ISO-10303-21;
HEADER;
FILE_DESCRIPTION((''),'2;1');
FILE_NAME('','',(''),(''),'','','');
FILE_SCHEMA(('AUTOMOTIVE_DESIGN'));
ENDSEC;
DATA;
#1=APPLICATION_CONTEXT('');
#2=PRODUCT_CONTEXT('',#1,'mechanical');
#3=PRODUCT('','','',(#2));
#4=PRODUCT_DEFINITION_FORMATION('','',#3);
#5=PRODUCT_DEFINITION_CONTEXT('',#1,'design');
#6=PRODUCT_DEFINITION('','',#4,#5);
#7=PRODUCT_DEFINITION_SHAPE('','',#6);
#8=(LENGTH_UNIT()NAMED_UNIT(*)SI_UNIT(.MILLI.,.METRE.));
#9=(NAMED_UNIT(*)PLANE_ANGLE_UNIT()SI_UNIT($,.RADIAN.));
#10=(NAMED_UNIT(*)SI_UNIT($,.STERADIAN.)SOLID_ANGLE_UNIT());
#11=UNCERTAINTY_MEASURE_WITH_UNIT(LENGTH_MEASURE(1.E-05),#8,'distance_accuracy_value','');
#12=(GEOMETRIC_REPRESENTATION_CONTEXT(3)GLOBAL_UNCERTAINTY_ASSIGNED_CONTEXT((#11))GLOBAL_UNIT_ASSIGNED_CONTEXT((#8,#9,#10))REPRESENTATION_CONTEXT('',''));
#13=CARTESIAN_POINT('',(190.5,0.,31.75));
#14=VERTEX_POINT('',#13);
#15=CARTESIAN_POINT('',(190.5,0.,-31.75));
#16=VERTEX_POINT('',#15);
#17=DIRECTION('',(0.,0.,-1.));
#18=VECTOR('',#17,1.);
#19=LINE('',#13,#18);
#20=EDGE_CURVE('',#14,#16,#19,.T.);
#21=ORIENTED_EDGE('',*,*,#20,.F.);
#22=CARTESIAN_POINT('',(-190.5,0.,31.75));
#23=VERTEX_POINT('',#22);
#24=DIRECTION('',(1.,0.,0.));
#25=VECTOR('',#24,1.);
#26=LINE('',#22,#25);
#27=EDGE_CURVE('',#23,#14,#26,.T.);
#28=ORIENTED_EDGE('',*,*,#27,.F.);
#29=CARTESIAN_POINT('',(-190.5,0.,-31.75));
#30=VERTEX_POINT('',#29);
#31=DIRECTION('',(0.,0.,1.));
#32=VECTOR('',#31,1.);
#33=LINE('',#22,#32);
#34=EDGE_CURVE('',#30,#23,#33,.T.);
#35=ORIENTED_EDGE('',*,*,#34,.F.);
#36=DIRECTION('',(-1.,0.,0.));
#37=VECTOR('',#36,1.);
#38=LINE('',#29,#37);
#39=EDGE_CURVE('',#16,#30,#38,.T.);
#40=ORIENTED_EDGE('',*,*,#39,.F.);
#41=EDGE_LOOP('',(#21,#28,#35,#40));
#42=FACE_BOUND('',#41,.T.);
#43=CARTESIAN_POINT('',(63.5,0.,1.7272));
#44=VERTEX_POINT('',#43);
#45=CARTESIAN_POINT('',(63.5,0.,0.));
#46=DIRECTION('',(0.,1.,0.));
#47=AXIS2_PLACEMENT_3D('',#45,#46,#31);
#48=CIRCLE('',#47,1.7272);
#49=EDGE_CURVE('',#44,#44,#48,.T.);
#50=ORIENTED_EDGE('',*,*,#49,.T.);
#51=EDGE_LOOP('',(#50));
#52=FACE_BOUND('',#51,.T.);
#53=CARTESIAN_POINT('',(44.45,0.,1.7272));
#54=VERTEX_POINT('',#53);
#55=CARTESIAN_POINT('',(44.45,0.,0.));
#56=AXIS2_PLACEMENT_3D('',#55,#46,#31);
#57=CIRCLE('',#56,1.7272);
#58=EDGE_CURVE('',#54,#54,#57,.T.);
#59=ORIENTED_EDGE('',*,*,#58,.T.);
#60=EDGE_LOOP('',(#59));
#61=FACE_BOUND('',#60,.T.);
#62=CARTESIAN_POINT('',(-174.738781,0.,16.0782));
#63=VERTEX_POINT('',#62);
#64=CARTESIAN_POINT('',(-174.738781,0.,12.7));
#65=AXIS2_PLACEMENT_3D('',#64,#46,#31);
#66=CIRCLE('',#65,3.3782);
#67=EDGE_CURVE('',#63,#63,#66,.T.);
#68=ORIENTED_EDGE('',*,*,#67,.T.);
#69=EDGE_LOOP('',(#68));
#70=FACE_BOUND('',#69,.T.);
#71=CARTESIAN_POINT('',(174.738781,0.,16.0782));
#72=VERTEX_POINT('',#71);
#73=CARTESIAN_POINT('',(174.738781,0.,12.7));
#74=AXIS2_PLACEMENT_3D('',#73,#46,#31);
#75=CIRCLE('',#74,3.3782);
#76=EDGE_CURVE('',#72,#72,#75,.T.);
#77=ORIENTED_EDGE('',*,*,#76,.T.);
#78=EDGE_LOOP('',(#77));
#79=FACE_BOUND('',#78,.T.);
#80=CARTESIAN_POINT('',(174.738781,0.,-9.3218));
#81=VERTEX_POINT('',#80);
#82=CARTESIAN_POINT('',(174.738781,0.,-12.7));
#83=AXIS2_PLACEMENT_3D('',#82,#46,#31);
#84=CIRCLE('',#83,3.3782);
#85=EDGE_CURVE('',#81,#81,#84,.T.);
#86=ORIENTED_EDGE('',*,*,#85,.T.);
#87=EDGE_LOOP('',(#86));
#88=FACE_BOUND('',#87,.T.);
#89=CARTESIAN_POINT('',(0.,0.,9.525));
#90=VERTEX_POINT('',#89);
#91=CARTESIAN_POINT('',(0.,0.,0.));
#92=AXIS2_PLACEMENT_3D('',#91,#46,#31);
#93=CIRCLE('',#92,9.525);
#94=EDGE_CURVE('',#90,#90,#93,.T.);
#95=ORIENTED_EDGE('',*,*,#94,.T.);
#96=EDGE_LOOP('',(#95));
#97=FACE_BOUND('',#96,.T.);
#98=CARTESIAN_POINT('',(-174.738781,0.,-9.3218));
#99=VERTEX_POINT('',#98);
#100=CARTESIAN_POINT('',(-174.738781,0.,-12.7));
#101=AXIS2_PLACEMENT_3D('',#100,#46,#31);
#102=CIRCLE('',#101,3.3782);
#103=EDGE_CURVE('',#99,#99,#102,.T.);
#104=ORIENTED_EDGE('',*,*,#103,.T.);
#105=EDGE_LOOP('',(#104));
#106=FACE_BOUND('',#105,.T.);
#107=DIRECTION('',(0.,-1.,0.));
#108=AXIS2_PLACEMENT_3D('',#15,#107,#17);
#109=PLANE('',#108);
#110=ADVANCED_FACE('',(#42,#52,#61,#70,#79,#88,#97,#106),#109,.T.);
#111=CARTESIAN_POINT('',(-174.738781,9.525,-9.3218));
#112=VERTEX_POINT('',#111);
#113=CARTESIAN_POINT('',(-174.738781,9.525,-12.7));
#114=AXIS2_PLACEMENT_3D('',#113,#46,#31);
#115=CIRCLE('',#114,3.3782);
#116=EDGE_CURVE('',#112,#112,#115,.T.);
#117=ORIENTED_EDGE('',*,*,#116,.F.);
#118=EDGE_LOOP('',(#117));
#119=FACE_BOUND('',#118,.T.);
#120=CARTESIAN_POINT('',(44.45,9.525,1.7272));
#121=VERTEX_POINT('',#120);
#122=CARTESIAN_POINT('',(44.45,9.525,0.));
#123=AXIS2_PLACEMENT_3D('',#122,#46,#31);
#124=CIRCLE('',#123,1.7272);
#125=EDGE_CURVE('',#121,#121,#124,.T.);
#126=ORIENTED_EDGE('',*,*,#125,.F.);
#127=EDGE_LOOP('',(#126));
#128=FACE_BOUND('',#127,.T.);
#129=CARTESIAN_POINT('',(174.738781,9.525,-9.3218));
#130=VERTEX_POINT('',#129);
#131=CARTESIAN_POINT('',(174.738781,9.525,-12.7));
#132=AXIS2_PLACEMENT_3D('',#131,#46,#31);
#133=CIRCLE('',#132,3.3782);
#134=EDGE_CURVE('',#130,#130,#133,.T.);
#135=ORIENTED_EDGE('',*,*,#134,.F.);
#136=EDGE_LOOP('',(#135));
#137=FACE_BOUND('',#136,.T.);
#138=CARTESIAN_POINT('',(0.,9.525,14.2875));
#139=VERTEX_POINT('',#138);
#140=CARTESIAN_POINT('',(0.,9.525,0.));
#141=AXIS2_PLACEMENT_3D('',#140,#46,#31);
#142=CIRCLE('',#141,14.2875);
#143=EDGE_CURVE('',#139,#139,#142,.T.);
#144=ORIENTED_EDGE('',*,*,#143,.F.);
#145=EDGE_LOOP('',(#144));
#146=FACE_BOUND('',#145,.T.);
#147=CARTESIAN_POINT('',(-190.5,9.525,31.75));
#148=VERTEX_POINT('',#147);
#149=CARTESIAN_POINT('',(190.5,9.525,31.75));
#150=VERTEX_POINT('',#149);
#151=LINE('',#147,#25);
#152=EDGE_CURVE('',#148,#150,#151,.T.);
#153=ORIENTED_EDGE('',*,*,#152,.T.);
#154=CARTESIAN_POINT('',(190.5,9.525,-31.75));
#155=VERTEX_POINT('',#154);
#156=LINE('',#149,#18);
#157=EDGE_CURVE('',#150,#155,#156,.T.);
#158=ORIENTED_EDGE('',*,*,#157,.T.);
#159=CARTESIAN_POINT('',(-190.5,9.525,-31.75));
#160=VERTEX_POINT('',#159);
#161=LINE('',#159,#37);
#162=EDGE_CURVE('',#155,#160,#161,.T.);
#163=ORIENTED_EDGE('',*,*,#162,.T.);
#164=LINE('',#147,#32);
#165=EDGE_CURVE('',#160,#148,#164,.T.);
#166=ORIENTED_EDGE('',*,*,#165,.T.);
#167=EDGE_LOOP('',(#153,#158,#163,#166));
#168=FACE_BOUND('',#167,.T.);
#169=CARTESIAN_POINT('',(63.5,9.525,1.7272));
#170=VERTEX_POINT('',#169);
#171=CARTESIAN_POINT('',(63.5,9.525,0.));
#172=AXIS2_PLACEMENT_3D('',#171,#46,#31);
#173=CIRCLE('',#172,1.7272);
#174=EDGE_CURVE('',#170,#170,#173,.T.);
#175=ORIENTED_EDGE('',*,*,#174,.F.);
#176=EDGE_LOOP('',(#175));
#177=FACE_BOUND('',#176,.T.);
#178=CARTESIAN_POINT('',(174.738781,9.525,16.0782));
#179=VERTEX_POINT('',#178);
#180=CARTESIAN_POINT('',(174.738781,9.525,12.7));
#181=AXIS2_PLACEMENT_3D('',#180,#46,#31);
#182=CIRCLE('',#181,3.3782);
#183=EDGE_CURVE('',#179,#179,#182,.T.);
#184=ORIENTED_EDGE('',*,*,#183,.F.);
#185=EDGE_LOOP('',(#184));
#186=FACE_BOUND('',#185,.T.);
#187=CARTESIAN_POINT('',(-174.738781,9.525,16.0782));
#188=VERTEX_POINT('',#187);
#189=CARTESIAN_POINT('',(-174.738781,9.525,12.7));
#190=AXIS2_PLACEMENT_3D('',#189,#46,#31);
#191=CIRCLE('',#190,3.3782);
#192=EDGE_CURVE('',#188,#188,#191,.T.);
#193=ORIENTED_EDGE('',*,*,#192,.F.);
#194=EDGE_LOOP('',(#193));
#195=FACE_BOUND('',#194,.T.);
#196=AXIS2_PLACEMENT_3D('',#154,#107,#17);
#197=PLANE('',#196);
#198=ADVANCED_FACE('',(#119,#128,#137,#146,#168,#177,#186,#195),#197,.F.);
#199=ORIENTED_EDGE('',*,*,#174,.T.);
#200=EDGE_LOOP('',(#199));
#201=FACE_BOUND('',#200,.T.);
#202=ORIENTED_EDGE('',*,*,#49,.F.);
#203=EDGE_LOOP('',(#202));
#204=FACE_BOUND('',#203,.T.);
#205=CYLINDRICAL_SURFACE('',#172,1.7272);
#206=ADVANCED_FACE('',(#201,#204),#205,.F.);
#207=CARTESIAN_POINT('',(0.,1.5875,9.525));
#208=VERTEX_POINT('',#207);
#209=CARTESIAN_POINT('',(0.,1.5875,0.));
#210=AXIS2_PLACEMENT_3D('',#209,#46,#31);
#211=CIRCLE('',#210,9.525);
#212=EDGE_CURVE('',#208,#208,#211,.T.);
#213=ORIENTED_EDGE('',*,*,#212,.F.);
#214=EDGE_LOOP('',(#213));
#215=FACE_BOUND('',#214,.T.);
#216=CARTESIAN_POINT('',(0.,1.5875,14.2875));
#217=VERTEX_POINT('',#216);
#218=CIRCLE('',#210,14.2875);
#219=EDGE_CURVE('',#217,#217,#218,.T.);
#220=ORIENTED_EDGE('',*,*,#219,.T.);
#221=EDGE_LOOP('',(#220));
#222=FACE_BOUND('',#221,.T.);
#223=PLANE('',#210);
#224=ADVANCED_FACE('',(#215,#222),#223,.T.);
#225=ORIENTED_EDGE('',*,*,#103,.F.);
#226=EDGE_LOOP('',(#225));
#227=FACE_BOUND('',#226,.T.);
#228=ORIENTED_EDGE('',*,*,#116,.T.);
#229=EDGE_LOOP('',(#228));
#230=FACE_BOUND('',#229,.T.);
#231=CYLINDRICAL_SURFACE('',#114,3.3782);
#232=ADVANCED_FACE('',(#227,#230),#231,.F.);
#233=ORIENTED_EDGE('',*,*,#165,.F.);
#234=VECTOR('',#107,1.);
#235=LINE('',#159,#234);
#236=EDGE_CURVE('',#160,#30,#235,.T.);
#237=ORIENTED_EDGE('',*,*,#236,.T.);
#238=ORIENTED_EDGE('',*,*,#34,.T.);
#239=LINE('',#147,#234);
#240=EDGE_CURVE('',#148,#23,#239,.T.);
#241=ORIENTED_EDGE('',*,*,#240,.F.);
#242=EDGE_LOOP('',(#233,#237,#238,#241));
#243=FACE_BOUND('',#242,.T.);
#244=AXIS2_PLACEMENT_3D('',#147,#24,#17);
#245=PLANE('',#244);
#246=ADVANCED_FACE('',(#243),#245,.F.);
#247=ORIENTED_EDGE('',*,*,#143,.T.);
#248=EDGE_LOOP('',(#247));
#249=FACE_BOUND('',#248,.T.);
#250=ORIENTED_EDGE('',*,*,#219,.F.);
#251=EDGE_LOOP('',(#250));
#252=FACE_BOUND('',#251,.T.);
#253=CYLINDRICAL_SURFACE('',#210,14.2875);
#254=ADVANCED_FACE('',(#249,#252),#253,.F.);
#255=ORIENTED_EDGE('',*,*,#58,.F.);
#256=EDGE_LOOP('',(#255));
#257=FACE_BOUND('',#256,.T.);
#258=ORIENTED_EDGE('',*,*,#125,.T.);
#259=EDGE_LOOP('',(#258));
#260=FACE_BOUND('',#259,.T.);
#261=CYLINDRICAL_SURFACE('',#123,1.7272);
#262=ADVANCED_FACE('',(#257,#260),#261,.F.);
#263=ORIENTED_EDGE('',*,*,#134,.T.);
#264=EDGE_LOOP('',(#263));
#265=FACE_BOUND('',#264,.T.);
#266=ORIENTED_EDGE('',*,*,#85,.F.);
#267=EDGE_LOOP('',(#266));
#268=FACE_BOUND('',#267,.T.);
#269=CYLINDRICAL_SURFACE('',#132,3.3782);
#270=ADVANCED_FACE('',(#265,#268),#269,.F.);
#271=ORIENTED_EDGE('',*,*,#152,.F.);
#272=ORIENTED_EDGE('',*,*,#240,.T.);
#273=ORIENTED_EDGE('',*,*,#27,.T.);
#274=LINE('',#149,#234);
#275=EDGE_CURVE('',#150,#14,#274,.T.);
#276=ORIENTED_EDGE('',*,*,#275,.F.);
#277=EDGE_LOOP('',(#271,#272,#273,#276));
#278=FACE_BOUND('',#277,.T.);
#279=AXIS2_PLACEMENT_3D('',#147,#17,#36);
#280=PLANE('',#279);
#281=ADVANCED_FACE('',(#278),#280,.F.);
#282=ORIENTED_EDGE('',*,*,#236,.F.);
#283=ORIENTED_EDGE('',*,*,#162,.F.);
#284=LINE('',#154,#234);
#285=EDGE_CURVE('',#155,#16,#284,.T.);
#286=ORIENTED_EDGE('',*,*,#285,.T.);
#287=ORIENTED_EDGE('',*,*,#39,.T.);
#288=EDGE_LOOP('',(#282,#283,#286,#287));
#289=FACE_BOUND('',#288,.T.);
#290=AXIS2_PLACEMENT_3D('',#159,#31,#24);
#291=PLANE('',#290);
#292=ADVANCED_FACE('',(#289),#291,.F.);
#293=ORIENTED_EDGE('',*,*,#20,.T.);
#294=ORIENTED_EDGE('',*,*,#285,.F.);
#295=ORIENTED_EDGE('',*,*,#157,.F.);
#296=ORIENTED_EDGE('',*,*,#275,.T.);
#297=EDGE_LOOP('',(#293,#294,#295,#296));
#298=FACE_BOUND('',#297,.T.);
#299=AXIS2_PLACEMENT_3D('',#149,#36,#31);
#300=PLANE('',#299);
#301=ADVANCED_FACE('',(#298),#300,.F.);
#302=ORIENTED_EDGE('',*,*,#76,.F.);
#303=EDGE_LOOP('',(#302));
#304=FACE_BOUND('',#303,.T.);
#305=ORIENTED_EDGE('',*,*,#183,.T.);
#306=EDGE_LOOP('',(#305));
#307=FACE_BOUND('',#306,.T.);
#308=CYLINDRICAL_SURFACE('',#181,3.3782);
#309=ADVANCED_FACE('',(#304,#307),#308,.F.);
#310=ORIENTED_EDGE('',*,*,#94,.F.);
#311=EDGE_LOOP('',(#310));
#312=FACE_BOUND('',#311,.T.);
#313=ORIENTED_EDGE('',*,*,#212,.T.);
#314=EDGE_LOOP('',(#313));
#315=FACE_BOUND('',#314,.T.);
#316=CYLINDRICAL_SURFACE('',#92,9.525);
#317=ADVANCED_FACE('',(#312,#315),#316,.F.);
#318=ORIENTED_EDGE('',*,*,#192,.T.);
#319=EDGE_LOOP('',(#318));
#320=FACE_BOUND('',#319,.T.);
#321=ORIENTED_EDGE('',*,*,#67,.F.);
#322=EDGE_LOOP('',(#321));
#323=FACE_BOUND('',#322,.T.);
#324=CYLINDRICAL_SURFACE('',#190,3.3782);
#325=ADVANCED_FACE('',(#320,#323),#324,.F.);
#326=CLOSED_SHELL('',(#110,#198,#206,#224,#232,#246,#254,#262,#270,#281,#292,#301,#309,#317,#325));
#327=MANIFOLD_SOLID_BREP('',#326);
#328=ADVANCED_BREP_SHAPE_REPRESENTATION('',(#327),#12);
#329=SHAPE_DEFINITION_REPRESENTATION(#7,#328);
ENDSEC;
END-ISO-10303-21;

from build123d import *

# Parameters (mm, degrees)
SKETCH1_W               = 381
SKETCH1_H               = 63.5
BOSS_EXTRUDE1_DEPTH     = 9.525
SKETCH2_R               = 14.2875
CUT_EXTRUDE1_DEPTH      = 7.9375
F_1_4_CLEARANCE_HOLE1_D = 6.7564
F_8_32_TAPPED_HOLE1_D   = 3.4544
SKETCH8_R               = 9.525
CUT_EXTRUDE2_DEPTH      = 2.5875


with BuildPart() as part:
    # Sketch1 → Boss-Extrude1 (new body)
    with BuildSketch(Plane(origin=(0, 0, 0), x_dir=(1, 0, 0), z_dir=(0, 1, 0))):
        Rectangle(SKETCH1_W, SKETCH1_H)
    extrude(amount=BOSS_EXTRUDE1_DEPTH)

    # Sketch2 → Cut-Extrude1 (cut)
    with BuildSketch(Plane(origin=(0, 9.525, 0), x_dir=(1, 0, 0), z_dir=(0, 1, 0))):
        with Locations(Location((0, 0, 0), (0, 0, 270))):  # turned: the seam where the file's is
            Circle(SKETCH2_R)
    extrude(amount=-CUT_EXTRUDE1_DEPTH, mode=Mode.SUBTRACT)

    # 1/4 Clearance Hole1 (through all)
    with Locations(Plane(origin=(0, 9.525, 0), x_dir=(1, 0, 0), z_dir=(0, 1, 0))):
        with Locations((-174.738781322, 12.7), (174.738781322, 12.7), (-174.738781322, -12.7), (174.738781322, -12.7)):
            Hole(F_1_4_CLEARANCE_HOLE1_D / 2)

    # #8-32 Tapped Hole1 (through all)
    with Locations(Plane(origin=(0, 9.525, 0), x_dir=(1, 0, 0), z_dir=(0, 1, 0))):
        with Locations((63.5, 0), (44.45, 0)):
            Hole(F_8_32_TAPPED_HOLE1_D / 2)

    # Sketch8 → Cut-Extrude2 (cut, through all)
    with BuildSketch(Plane(origin=(0, 1.5875, 0), x_dir=(1, 0, 0), z_dir=(0, 1, 0))):
        with Locations(Location((0, 0, 0), (0, 0, 270))):  # turned: the seam where the file's is
            Circle(SKETCH8_R)
    extrude(amount=-CUT_EXTRUDE2_DEPTH, mode=Mode.SUBTRACT)


solid = part.part
